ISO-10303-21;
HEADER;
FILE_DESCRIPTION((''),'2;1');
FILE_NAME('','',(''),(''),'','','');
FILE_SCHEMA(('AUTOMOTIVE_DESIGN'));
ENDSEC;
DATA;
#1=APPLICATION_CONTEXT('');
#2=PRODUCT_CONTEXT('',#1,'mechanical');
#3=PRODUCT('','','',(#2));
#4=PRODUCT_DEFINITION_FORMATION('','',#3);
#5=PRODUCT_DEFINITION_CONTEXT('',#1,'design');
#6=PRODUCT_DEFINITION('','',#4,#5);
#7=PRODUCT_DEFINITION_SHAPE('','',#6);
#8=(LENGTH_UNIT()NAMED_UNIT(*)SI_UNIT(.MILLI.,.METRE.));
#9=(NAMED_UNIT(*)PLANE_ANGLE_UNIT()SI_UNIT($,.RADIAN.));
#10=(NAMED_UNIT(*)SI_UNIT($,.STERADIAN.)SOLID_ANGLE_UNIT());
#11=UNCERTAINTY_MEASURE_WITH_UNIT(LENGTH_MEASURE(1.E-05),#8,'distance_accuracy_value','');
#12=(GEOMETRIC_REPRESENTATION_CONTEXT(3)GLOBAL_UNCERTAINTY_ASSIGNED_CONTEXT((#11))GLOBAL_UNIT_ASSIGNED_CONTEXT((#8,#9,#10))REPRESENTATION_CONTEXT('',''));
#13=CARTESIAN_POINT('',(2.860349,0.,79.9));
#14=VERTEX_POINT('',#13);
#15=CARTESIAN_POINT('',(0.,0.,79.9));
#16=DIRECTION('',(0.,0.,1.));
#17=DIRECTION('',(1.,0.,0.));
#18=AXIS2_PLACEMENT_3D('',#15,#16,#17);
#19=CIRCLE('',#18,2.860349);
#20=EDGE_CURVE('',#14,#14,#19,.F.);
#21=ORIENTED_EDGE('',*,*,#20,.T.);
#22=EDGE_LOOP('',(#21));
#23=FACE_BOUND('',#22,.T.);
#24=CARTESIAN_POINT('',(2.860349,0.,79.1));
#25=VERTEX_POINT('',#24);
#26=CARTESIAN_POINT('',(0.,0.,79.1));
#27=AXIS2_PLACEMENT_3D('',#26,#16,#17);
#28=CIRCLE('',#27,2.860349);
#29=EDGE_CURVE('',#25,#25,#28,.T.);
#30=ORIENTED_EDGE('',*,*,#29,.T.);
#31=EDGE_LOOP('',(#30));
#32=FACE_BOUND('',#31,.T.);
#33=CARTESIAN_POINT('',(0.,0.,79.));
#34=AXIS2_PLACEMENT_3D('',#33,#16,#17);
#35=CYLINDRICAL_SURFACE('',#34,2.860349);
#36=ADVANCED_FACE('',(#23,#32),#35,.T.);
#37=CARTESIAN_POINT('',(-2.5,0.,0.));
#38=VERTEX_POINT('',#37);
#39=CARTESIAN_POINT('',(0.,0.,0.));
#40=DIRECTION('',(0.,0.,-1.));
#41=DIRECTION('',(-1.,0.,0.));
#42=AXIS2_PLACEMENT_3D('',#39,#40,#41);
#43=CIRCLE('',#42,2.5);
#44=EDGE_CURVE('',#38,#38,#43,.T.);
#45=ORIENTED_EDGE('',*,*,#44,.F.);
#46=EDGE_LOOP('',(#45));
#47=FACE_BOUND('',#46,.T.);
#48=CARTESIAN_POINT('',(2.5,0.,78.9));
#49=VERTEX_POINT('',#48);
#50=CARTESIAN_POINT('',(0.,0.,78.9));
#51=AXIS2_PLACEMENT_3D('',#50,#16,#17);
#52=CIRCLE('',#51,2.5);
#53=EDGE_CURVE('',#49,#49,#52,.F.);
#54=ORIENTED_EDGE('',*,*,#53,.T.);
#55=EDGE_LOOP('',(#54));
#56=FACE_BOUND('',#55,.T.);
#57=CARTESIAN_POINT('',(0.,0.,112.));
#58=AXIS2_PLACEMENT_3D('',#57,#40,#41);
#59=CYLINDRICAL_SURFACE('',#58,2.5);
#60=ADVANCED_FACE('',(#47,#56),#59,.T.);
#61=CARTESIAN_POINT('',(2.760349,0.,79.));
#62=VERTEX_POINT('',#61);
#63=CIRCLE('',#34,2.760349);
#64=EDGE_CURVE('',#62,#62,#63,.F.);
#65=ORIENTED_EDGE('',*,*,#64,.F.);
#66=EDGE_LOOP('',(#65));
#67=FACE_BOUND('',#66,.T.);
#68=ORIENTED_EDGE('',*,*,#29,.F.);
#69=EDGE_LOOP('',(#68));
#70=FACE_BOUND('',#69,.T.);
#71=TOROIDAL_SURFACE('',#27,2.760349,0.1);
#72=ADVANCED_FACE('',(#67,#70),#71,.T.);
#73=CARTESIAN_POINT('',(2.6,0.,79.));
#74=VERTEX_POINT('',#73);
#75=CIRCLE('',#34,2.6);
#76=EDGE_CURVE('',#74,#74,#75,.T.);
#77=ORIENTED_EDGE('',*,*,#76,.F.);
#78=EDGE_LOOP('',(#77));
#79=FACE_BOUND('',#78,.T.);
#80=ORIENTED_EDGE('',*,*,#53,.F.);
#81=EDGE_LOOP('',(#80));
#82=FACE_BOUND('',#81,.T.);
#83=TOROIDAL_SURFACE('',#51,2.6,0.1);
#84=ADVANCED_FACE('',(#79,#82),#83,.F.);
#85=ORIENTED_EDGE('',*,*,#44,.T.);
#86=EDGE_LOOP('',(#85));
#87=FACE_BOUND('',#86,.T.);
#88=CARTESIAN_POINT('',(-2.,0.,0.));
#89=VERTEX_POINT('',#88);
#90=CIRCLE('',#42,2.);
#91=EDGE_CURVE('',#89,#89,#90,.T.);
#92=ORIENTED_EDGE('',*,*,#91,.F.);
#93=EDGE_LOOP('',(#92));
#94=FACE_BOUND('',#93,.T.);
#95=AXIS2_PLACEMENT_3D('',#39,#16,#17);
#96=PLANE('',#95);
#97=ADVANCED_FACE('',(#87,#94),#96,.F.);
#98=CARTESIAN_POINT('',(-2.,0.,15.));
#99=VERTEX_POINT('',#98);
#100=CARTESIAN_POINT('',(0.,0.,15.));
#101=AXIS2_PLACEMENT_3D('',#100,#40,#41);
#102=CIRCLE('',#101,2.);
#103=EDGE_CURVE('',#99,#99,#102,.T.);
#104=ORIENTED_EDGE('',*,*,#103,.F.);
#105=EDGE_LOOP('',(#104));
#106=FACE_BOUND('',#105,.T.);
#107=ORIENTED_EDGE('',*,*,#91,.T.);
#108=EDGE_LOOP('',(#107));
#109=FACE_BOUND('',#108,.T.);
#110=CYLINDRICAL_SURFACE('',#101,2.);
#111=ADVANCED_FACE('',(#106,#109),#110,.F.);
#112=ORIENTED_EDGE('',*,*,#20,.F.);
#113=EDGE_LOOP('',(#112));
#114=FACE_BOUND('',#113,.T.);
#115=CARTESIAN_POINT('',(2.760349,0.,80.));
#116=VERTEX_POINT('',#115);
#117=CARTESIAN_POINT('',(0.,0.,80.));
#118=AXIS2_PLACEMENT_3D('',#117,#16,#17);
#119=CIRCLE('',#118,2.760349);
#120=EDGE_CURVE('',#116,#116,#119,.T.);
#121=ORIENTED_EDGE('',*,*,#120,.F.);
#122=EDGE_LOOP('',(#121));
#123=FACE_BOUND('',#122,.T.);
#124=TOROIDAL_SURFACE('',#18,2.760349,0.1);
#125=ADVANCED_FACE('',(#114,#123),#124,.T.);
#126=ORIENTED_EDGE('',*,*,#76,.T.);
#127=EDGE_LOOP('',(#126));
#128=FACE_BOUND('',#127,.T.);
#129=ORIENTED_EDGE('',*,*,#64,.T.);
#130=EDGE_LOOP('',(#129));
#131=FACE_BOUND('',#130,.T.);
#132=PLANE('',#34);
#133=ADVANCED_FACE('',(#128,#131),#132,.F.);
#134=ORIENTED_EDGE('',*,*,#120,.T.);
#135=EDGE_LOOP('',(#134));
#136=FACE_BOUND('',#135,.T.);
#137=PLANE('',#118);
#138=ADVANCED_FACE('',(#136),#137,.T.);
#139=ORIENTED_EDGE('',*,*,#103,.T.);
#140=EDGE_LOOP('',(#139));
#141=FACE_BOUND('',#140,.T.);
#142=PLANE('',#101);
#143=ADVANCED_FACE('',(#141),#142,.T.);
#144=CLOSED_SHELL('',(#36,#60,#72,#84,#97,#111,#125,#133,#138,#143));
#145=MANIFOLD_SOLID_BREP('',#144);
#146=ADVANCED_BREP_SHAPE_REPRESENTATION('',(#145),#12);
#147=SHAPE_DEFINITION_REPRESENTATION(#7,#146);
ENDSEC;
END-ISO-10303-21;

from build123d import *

# Parameters (mm, degrees)
SKETCH1_R           = 9
BOSS_EXTRUDE1_DEPTH = 80
SKETCH2_R           = 2
CUT_EXTRUDE1_DEPTH  = 15
SKETCH3_R           = 9
SKETCH3_R_2         = 2.5
CUT_EXTRUDE3_DEPTH  = 112
SKETCH6_R           = 2.86034934
BOSS_EXTRUDE2_DEPTH = 1
FILLET1_R           = 0.1


with BuildPart() as part:
    # Sketch1 → Boss-Extrude1 (new body)
    with BuildSketch(Plane.XY):
        Circle(SKETCH1_R)
    extrude(amount=BOSS_EXTRUDE1_DEPTH)

    # Sketch2 → Cut-Extrude1 (cut)
    with BuildSketch(Plane(origin=(0, 0, 0), x_dir=(-1, 0, 0), z_dir=(0, 0, -1))):
        Circle(SKETCH2_R)
    extrude(amount=-CUT_EXTRUDE1_DEPTH, mode=Mode.SUBTRACT)

    # Sketch3 → Cut-Extrude3 (cut)
    with BuildSketch(Plane(origin=(0, 0, 0), x_dir=(-1, 0, 0), z_dir=(0, 0, -1))):
        Circle(SKETCH3_R)
        Circle(SKETCH3_R_2, mode=Mode.SUBTRACT)
    extrude(amount=-CUT_EXTRUDE3_DEPTH, mode=Mode.SUBTRACT)

    # Sketch6 → Boss-Extrude2 (add)
    with BuildSketch(Plane.XY.offset(80)):
        Circle(SKETCH6_R)
    extrude(amount=-BOSS_EXTRUDE2_DEPTH)

    # Fillet1
    fillet1_edges = [part.edges().sort_by_distance(p)[0] for p in [
        (2.5, 0, 79),
        (-2.86034934, 0, 79),
        (-2.86034934, 0, 80),
    ]]
    fillet(fillet1_edges, radius=FILLET1_R)


solid = part.part
